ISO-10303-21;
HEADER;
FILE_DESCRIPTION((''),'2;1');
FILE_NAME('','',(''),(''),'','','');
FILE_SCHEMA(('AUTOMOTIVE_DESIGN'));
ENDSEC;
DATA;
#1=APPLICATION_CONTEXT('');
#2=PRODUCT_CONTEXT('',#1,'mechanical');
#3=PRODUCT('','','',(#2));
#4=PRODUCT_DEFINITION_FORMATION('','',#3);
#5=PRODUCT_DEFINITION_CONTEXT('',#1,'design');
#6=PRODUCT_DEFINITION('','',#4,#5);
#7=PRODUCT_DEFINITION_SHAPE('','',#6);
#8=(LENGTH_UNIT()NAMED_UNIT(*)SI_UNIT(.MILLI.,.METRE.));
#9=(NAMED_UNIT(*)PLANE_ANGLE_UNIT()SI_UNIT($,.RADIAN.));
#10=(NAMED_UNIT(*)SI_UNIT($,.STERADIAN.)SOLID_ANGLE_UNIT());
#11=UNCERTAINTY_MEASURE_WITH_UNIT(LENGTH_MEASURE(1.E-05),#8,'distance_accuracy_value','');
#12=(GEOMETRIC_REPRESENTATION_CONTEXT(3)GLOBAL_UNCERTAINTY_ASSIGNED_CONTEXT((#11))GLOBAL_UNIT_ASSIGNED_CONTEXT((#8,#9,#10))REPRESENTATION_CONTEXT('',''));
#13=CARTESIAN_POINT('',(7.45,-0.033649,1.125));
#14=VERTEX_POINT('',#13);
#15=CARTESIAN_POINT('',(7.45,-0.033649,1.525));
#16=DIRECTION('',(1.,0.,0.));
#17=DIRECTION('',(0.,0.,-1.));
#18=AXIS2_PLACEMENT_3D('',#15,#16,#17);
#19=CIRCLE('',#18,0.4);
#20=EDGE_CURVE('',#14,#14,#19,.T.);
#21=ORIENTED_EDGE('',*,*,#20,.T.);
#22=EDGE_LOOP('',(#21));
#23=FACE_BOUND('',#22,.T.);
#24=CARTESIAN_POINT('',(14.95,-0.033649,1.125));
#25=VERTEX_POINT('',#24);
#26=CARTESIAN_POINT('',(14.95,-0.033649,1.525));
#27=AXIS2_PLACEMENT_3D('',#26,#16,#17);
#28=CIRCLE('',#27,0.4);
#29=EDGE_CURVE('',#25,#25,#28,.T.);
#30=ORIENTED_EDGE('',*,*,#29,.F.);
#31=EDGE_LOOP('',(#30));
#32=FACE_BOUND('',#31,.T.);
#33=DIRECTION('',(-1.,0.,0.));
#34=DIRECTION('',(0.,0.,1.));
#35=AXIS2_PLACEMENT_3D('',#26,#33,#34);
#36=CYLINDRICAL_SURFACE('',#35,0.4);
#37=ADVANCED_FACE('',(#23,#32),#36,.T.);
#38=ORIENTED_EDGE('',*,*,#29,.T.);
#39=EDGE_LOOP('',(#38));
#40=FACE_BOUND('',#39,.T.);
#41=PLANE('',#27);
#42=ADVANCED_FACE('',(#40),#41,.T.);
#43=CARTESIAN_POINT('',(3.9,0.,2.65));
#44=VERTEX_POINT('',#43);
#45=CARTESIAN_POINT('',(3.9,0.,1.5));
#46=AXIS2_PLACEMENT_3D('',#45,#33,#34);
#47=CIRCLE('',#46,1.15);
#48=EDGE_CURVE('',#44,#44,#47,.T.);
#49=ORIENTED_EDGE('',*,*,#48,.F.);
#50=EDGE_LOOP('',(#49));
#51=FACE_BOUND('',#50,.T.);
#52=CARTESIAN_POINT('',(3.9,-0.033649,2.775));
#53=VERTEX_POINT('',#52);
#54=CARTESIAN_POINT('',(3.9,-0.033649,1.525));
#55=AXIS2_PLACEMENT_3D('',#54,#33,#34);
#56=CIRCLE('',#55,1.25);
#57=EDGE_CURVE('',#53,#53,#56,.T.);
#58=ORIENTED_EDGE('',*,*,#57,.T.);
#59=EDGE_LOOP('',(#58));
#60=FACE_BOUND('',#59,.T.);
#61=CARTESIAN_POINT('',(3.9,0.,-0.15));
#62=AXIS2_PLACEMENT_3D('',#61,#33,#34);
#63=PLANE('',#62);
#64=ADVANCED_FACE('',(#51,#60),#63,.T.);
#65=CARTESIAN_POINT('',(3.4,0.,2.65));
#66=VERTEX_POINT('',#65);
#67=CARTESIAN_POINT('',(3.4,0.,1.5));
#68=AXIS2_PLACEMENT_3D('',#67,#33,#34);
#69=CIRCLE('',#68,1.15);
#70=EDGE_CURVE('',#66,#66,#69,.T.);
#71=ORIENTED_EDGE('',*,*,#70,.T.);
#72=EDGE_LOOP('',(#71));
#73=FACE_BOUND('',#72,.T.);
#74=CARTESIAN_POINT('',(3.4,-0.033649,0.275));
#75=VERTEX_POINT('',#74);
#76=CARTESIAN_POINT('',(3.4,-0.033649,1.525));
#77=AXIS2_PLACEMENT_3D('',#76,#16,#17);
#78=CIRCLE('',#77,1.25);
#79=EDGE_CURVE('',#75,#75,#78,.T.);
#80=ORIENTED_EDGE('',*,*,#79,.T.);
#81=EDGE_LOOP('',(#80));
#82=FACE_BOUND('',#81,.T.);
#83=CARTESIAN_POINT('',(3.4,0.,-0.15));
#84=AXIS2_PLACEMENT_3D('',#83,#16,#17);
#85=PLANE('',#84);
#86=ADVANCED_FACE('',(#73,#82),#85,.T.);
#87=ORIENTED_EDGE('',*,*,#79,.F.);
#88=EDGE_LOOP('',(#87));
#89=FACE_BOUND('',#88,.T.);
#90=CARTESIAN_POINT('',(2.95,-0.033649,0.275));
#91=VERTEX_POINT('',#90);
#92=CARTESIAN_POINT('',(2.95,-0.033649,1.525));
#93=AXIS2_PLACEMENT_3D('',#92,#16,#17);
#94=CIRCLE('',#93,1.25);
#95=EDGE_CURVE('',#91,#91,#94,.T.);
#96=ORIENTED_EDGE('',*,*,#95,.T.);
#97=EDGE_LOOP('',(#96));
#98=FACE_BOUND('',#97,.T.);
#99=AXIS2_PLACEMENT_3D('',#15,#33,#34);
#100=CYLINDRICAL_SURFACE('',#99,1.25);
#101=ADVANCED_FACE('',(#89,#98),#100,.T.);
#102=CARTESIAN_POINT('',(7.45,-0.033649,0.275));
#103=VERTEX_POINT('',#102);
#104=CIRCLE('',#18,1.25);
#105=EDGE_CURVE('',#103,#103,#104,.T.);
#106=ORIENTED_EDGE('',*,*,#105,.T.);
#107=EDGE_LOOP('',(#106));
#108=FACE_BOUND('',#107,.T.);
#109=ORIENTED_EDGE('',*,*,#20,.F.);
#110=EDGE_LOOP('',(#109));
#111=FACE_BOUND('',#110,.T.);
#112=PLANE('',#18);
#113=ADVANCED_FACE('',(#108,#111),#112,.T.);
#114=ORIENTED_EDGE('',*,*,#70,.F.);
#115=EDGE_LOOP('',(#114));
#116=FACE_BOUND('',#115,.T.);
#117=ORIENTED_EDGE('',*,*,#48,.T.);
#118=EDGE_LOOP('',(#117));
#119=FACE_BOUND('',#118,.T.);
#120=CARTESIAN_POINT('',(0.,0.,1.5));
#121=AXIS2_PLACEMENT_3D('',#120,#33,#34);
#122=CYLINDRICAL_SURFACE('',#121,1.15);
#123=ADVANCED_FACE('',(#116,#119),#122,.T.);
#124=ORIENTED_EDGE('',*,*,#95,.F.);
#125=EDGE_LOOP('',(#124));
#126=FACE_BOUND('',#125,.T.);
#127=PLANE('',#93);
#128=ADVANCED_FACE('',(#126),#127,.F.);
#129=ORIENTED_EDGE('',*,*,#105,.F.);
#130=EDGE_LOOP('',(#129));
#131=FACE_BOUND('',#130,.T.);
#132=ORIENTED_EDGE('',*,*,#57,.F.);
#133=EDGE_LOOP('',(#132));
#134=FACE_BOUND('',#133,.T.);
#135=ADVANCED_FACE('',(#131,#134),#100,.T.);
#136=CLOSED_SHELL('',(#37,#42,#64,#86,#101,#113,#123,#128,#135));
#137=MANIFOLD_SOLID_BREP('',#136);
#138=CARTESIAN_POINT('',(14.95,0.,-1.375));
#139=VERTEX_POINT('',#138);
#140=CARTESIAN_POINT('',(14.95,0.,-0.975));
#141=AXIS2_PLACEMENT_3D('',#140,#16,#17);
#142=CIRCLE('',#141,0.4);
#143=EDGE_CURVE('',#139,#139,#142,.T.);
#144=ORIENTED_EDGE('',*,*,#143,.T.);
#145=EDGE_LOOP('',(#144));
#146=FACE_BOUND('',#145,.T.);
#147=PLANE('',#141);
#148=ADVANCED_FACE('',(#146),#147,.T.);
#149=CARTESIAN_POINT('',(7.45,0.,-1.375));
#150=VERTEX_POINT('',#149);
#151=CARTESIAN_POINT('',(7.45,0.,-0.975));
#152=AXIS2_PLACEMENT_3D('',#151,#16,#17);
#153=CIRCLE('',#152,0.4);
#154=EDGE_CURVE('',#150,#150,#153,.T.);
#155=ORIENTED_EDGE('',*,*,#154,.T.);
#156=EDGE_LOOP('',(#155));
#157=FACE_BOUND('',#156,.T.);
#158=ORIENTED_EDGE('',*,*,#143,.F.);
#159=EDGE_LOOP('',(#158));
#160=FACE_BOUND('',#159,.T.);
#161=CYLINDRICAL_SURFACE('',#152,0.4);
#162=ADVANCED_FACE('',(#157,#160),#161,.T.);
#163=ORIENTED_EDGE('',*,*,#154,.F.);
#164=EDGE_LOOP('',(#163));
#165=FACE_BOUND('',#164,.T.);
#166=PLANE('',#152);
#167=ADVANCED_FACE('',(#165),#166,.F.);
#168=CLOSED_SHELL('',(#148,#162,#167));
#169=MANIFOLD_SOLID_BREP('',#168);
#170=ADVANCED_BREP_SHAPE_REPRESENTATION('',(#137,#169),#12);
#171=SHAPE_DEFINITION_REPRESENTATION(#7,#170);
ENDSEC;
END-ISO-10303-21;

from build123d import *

# Parameters (mm, degrees)
SKETCH_3_R      = 1.25
EXTRUDE_1_DEPTH = 4.5
SKETCH_4_W      = 0.5
SKETCH_4_H      = 0.5
SKETCH_7_R      = 0.4
EXTRUDE_3_DEPTH = 7.5
SKETCH_10_R     = 0.4
EXTRUDE_4_DEPTH = 7.5


with BuildPart() as part:
    # Эскиз3 → Вытянуть1 (new body)
    with BuildSketch(Plane(origin=(2.95, 0, 0), x_dir=(0, 0, -1), z_dir=(1, 0, 0))):
        with Locations((-1.525, -0.033649265)):
            Circle(SKETCH_3_R)
    extrude(amount=EXTRUDE_1_DEPTH)

    # Эскиз4 → Вырез-Повернуть1 (revolve, cut)
    with BuildSketch(Plane(origin=(0, 0, 0), x_dir=(1, 0, 0), z_dir=(0, 1, 0)), mode=Mode.PRIVATE) as cut_revolve_1_sk:
        with Locations((3.65, -0.1)):
            Rectangle(SKETCH_4_W, SKETCH_4_H)
    revolve(cut_revolve_1_sk.sketch.rotate(Axis((0, 0, 1.5), (1, 0, 0)), 180), axis=Axis((0, 0, 1.5), (1, 0, 0)), mode=Mode.SUBTRACT)

    # Эскиз7 → Вытянуть3 (add)
    with BuildSketch(Plane(origin=(7.45, 0, 0), x_dir=(0, 0, -1), z_dir=(1, 0, 0))):
        with Locations((-1.525, -0.033649265)):
            Circle(SKETCH_7_R)
    extrude(amount=EXTRUDE_3_DEPTH)


with BuildPart() as body_2:
    # Эскиз10 → Вытянуть4 (new body)
    with BuildSketch(Plane(origin=(14.95, 0, 0), x_dir=(0, 0, -1), z_dir=(1, 0, 0))):
        with Locations((0.975, 0)):
            Circle(SKETCH_10_R)
    extrude(amount=-EXTRUDE_4_DEPTH)


solid = Compound([part.part, body_2.part])
